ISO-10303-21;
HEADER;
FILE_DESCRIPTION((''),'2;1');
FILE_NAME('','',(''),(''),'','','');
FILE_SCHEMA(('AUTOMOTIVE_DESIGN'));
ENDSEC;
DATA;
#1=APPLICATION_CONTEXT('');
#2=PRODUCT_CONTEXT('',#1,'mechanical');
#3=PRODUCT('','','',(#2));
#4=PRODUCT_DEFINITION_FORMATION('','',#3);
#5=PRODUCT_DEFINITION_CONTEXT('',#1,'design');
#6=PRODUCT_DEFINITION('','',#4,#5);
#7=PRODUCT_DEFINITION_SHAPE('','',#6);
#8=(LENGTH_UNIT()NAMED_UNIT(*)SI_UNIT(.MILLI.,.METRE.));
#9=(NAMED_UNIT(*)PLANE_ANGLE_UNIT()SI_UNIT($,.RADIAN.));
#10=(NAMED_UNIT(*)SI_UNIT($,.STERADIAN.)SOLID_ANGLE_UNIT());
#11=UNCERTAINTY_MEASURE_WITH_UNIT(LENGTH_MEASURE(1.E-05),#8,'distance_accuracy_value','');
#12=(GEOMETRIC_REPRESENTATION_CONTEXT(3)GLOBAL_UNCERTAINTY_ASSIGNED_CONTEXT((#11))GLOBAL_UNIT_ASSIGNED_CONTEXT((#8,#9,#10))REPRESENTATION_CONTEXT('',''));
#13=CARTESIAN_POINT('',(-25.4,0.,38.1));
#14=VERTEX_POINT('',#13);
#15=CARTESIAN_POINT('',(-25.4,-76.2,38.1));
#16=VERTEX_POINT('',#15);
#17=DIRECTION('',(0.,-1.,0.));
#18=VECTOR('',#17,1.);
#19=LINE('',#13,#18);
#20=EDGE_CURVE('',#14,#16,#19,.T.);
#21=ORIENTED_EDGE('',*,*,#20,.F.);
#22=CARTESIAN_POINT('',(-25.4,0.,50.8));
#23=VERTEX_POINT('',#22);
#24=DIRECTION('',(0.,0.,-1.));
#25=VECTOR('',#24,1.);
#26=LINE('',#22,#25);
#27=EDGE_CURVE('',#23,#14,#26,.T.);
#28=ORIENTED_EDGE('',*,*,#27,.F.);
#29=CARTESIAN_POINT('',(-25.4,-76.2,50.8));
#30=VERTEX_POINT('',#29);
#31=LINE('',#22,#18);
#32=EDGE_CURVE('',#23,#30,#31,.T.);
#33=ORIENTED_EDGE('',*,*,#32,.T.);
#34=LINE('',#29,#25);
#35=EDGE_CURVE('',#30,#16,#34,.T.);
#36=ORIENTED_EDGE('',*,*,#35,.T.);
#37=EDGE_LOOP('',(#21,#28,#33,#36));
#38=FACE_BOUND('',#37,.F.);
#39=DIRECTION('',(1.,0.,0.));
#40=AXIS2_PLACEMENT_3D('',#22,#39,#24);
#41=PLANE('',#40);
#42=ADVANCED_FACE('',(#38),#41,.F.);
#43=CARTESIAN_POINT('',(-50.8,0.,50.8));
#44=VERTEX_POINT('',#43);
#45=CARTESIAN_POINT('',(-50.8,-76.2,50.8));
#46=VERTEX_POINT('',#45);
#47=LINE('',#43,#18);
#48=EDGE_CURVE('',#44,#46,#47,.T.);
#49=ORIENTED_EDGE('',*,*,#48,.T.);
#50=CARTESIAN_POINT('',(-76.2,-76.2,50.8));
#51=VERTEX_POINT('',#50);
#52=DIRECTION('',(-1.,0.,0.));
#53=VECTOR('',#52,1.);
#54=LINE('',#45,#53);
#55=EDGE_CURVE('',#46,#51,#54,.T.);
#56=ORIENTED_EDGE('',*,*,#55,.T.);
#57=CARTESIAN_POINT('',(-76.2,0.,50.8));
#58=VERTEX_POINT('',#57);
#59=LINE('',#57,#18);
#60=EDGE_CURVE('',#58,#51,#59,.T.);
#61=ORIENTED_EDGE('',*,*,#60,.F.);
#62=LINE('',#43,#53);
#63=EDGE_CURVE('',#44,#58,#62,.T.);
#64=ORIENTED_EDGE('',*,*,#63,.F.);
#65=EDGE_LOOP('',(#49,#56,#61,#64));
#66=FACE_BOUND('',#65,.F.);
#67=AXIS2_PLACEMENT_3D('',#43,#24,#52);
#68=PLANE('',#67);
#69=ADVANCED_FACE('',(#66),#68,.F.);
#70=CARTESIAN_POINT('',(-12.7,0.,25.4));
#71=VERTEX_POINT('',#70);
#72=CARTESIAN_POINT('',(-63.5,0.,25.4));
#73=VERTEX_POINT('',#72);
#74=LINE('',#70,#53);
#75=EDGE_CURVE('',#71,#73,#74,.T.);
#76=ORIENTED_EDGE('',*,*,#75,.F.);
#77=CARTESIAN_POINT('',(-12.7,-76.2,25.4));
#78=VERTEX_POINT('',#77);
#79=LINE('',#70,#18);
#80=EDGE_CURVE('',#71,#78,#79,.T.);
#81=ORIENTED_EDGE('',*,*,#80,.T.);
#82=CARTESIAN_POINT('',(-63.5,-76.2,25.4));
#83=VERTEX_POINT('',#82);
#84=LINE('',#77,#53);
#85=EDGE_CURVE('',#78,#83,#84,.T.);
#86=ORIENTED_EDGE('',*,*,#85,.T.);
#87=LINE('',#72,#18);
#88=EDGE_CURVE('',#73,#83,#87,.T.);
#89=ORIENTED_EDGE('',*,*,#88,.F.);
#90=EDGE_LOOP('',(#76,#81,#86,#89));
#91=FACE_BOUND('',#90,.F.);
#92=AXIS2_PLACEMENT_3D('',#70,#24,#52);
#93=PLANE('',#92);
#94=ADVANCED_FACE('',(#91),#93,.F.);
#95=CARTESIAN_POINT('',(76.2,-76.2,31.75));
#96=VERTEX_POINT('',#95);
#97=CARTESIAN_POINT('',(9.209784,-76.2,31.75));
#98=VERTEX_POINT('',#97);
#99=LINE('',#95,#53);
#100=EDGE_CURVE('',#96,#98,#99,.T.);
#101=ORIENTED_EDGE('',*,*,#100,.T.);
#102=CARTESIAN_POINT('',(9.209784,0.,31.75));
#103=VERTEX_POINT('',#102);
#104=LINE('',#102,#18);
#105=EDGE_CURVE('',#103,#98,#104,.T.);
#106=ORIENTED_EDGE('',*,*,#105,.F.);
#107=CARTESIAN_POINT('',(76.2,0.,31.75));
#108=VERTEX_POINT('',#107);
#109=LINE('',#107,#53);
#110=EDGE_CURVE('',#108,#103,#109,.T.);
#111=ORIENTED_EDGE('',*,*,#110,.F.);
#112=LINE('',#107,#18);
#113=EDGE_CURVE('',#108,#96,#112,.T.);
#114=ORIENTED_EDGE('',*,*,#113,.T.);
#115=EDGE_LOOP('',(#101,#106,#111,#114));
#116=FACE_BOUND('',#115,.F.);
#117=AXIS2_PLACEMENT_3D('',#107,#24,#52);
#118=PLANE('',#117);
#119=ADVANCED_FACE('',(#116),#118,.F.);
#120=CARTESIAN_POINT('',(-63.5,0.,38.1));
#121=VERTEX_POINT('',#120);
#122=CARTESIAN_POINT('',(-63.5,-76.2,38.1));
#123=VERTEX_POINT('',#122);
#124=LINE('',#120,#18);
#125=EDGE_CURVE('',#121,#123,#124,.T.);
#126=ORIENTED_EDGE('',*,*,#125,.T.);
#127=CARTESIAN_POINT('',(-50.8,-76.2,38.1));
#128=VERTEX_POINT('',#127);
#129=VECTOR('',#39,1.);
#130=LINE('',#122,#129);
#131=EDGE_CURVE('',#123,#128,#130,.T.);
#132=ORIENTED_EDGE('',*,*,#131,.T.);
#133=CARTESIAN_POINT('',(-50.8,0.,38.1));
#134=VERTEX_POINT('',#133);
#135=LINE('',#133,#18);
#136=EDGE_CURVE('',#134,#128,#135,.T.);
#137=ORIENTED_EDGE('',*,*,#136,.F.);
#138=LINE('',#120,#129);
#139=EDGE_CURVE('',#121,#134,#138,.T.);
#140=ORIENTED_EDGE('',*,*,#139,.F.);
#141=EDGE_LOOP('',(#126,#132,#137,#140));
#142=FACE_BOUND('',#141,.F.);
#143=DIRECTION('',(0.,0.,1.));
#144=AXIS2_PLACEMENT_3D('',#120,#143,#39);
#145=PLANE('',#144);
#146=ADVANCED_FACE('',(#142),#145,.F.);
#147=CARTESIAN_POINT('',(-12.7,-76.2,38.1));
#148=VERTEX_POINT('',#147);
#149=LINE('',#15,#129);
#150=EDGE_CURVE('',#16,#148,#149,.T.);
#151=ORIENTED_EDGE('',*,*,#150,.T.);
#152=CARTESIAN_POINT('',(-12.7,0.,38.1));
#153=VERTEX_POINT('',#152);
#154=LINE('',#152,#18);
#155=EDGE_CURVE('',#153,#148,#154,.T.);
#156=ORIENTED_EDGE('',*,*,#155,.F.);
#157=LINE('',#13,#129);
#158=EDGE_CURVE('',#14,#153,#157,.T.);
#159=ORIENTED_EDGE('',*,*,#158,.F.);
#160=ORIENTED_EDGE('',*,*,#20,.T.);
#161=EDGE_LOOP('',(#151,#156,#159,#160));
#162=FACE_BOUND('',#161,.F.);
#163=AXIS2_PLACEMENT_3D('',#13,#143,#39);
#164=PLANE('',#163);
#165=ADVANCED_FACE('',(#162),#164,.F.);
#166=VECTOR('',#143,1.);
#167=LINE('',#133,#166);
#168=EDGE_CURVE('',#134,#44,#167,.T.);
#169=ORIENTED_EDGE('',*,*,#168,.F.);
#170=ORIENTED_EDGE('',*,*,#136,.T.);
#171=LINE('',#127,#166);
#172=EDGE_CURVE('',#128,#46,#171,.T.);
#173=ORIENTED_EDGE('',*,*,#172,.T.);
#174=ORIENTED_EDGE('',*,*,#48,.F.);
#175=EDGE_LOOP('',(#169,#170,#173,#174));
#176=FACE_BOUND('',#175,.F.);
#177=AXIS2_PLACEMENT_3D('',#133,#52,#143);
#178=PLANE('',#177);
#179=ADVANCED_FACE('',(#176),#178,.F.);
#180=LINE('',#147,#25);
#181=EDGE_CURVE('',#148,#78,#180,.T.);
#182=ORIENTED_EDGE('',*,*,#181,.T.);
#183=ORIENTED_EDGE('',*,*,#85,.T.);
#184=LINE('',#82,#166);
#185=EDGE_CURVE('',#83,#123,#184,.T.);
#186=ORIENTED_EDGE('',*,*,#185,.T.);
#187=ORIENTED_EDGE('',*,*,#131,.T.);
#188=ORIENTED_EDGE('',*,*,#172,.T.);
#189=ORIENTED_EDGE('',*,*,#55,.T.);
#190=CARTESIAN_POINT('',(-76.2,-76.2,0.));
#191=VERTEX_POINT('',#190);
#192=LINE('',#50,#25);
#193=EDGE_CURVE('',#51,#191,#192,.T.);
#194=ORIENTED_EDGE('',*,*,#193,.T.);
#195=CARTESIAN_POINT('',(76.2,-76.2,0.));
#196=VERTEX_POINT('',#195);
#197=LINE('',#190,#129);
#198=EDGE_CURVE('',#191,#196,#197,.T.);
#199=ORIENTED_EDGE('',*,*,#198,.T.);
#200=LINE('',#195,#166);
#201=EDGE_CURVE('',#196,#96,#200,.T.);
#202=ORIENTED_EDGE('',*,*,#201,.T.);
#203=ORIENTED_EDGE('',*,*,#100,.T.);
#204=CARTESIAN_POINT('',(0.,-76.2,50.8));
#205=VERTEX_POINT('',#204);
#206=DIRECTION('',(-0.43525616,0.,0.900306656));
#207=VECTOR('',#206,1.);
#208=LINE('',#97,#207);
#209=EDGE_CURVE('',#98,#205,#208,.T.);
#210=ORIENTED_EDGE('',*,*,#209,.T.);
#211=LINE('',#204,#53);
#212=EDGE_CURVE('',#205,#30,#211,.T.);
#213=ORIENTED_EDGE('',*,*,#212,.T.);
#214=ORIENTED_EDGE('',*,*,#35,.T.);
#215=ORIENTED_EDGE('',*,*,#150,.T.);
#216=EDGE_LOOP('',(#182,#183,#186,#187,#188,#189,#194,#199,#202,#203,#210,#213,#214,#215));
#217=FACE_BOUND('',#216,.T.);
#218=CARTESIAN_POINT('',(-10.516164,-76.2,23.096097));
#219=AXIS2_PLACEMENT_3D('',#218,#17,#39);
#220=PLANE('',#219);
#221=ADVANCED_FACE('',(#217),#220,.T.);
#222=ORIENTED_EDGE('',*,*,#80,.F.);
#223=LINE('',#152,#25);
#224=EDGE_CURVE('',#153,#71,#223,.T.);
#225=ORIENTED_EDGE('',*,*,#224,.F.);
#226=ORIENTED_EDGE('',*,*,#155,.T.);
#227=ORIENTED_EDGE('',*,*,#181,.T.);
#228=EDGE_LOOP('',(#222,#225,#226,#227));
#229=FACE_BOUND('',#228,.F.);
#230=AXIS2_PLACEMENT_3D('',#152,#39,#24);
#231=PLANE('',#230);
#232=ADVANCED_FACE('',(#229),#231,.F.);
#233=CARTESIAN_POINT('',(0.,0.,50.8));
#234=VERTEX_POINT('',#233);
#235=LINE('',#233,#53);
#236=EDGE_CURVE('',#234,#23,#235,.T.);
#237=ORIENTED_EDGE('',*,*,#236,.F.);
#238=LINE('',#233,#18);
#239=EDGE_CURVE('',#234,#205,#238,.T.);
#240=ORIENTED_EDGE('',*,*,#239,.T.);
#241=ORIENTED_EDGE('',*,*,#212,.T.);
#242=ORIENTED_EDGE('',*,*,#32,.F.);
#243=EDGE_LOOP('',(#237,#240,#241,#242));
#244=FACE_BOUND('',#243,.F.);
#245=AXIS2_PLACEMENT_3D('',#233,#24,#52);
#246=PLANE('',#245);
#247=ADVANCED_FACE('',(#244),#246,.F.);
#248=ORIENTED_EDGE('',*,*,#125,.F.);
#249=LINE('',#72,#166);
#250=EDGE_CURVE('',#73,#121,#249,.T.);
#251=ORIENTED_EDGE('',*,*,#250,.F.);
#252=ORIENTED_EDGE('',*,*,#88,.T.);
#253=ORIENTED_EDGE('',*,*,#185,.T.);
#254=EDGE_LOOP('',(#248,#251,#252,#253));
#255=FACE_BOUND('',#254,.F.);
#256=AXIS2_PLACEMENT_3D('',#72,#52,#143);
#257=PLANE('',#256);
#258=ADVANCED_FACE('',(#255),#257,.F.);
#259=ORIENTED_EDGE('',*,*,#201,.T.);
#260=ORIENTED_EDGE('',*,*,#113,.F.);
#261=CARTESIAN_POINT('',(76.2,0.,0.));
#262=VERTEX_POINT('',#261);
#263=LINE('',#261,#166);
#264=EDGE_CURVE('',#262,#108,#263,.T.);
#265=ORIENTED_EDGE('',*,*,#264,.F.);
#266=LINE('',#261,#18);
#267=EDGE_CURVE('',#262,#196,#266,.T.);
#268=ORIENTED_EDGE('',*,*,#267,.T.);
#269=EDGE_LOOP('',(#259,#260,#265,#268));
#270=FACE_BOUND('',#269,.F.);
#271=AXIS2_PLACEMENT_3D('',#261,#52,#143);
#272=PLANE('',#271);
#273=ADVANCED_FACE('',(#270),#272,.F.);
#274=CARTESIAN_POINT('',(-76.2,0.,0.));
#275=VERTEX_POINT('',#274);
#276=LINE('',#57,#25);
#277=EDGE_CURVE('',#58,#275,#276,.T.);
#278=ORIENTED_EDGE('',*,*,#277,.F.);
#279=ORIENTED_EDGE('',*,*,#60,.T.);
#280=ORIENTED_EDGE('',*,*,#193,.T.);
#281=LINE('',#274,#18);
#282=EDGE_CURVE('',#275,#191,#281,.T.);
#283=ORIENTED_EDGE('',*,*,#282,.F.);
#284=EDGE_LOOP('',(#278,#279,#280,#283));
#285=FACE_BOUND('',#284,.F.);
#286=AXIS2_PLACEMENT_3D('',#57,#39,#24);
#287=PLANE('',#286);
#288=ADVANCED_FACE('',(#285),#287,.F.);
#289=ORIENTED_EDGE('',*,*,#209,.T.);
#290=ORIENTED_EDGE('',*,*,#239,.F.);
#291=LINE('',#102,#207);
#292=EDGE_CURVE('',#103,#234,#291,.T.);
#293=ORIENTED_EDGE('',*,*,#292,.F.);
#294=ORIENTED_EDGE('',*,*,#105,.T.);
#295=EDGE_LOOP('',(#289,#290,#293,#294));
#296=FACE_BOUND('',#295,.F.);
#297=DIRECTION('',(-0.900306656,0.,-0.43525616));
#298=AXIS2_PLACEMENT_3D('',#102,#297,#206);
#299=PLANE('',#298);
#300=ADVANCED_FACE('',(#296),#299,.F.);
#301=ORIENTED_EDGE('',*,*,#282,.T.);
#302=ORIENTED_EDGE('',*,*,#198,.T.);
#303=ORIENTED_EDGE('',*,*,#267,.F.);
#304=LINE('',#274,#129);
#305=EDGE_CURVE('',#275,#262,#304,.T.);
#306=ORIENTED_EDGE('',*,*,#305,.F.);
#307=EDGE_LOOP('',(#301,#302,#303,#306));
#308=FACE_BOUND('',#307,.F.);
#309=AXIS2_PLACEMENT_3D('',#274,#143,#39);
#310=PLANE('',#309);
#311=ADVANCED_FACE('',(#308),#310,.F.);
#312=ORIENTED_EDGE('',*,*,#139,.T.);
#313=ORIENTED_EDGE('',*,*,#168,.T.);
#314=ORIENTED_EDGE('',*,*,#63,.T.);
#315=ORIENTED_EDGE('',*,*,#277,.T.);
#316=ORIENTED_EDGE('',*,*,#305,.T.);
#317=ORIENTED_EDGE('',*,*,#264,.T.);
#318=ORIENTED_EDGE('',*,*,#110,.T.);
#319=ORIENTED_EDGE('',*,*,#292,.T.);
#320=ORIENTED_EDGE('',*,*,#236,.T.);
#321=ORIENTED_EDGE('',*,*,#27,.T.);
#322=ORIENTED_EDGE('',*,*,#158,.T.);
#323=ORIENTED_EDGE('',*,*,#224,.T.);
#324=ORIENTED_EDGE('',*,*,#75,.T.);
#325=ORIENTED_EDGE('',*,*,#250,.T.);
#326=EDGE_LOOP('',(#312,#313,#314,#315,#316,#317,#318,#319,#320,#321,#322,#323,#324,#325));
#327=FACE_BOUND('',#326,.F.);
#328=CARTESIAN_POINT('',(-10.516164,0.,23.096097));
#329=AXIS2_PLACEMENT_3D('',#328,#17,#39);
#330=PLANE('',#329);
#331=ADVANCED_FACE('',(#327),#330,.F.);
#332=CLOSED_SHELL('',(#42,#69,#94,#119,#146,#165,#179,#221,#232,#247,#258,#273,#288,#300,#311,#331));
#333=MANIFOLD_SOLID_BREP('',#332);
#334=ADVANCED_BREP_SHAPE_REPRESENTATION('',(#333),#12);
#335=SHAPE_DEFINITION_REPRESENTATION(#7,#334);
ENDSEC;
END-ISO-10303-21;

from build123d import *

# Parameters (mm, degrees)
F1_DEPTH = 76.2


with BuildPart() as f1:
    # F0 (on Front) → F1 (new body)
    with BuildSketch(Plane.XZ):
        Polygon((-76.2, 25.4), (-76.2, 0), (-63.5, 0), (76.2, 0), (76.2, 25.4), (76.2, 31.75), (9.209784, 31.75), (0, 50.8), (-25.4, 50.8), (-25.4, 38.1), (-12.7, 38.1), (-12.7, 25.4), (-63.5, 25.4), (-63.5, 38.1), (-50.8, 38.1), (-50.8, 50.8), (-76.2, 50.8), align=None)
    extrude(amount=F1_DEPTH)


solid = f1.part
